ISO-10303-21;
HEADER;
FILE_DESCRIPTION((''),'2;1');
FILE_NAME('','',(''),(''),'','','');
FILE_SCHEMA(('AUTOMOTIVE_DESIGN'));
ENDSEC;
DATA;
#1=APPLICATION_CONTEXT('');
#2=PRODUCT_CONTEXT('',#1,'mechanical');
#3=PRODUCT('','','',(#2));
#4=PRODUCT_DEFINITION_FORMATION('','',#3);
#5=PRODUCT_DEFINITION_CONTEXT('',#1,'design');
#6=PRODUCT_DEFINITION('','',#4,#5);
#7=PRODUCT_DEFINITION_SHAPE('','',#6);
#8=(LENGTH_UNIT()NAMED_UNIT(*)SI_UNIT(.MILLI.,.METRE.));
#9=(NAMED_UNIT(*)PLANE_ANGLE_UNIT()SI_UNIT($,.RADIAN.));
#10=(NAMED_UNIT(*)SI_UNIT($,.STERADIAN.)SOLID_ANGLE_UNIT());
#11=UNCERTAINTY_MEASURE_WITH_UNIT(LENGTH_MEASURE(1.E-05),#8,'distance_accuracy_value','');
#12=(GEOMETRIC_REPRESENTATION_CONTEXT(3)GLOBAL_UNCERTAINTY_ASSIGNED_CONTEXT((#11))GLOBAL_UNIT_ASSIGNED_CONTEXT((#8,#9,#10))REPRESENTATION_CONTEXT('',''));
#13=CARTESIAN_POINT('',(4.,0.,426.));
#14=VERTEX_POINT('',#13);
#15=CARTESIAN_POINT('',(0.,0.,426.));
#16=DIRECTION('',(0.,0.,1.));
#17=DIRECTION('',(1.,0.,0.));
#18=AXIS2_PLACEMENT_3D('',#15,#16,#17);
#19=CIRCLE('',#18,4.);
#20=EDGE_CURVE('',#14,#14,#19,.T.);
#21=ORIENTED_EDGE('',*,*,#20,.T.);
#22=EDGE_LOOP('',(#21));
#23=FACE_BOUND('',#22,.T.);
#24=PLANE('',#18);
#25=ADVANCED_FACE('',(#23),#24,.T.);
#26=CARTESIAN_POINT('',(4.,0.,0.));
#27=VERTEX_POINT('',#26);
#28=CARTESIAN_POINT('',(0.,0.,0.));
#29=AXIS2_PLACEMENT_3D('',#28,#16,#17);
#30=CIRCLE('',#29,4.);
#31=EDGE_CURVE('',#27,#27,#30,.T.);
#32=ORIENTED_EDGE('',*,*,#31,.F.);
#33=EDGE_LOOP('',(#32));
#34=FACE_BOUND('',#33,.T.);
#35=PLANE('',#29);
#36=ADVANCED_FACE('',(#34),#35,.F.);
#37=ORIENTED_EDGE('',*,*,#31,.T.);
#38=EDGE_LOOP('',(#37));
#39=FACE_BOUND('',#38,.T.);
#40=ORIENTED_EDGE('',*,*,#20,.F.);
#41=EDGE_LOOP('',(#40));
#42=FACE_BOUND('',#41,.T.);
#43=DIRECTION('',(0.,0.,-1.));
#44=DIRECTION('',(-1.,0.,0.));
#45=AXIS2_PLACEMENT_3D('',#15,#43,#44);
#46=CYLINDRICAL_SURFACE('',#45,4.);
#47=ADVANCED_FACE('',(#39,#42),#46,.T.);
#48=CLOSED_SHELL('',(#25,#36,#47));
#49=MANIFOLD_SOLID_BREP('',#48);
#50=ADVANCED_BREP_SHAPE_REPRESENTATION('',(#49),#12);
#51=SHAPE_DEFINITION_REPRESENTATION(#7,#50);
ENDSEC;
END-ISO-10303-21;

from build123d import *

# Parameters (mm, degrees)
SKETCH1_R           = 4
BOSS_EXTRUDE1_DEPTH = 426


with BuildPart() as part:
    # Sketch1 → Boss-Extrude1 (new body)
    with BuildSketch(Plane.XY):
        Circle(SKETCH1_R)
    extrude(amount=BOSS_EXTRUDE1_DEPTH)


solid = part.part
